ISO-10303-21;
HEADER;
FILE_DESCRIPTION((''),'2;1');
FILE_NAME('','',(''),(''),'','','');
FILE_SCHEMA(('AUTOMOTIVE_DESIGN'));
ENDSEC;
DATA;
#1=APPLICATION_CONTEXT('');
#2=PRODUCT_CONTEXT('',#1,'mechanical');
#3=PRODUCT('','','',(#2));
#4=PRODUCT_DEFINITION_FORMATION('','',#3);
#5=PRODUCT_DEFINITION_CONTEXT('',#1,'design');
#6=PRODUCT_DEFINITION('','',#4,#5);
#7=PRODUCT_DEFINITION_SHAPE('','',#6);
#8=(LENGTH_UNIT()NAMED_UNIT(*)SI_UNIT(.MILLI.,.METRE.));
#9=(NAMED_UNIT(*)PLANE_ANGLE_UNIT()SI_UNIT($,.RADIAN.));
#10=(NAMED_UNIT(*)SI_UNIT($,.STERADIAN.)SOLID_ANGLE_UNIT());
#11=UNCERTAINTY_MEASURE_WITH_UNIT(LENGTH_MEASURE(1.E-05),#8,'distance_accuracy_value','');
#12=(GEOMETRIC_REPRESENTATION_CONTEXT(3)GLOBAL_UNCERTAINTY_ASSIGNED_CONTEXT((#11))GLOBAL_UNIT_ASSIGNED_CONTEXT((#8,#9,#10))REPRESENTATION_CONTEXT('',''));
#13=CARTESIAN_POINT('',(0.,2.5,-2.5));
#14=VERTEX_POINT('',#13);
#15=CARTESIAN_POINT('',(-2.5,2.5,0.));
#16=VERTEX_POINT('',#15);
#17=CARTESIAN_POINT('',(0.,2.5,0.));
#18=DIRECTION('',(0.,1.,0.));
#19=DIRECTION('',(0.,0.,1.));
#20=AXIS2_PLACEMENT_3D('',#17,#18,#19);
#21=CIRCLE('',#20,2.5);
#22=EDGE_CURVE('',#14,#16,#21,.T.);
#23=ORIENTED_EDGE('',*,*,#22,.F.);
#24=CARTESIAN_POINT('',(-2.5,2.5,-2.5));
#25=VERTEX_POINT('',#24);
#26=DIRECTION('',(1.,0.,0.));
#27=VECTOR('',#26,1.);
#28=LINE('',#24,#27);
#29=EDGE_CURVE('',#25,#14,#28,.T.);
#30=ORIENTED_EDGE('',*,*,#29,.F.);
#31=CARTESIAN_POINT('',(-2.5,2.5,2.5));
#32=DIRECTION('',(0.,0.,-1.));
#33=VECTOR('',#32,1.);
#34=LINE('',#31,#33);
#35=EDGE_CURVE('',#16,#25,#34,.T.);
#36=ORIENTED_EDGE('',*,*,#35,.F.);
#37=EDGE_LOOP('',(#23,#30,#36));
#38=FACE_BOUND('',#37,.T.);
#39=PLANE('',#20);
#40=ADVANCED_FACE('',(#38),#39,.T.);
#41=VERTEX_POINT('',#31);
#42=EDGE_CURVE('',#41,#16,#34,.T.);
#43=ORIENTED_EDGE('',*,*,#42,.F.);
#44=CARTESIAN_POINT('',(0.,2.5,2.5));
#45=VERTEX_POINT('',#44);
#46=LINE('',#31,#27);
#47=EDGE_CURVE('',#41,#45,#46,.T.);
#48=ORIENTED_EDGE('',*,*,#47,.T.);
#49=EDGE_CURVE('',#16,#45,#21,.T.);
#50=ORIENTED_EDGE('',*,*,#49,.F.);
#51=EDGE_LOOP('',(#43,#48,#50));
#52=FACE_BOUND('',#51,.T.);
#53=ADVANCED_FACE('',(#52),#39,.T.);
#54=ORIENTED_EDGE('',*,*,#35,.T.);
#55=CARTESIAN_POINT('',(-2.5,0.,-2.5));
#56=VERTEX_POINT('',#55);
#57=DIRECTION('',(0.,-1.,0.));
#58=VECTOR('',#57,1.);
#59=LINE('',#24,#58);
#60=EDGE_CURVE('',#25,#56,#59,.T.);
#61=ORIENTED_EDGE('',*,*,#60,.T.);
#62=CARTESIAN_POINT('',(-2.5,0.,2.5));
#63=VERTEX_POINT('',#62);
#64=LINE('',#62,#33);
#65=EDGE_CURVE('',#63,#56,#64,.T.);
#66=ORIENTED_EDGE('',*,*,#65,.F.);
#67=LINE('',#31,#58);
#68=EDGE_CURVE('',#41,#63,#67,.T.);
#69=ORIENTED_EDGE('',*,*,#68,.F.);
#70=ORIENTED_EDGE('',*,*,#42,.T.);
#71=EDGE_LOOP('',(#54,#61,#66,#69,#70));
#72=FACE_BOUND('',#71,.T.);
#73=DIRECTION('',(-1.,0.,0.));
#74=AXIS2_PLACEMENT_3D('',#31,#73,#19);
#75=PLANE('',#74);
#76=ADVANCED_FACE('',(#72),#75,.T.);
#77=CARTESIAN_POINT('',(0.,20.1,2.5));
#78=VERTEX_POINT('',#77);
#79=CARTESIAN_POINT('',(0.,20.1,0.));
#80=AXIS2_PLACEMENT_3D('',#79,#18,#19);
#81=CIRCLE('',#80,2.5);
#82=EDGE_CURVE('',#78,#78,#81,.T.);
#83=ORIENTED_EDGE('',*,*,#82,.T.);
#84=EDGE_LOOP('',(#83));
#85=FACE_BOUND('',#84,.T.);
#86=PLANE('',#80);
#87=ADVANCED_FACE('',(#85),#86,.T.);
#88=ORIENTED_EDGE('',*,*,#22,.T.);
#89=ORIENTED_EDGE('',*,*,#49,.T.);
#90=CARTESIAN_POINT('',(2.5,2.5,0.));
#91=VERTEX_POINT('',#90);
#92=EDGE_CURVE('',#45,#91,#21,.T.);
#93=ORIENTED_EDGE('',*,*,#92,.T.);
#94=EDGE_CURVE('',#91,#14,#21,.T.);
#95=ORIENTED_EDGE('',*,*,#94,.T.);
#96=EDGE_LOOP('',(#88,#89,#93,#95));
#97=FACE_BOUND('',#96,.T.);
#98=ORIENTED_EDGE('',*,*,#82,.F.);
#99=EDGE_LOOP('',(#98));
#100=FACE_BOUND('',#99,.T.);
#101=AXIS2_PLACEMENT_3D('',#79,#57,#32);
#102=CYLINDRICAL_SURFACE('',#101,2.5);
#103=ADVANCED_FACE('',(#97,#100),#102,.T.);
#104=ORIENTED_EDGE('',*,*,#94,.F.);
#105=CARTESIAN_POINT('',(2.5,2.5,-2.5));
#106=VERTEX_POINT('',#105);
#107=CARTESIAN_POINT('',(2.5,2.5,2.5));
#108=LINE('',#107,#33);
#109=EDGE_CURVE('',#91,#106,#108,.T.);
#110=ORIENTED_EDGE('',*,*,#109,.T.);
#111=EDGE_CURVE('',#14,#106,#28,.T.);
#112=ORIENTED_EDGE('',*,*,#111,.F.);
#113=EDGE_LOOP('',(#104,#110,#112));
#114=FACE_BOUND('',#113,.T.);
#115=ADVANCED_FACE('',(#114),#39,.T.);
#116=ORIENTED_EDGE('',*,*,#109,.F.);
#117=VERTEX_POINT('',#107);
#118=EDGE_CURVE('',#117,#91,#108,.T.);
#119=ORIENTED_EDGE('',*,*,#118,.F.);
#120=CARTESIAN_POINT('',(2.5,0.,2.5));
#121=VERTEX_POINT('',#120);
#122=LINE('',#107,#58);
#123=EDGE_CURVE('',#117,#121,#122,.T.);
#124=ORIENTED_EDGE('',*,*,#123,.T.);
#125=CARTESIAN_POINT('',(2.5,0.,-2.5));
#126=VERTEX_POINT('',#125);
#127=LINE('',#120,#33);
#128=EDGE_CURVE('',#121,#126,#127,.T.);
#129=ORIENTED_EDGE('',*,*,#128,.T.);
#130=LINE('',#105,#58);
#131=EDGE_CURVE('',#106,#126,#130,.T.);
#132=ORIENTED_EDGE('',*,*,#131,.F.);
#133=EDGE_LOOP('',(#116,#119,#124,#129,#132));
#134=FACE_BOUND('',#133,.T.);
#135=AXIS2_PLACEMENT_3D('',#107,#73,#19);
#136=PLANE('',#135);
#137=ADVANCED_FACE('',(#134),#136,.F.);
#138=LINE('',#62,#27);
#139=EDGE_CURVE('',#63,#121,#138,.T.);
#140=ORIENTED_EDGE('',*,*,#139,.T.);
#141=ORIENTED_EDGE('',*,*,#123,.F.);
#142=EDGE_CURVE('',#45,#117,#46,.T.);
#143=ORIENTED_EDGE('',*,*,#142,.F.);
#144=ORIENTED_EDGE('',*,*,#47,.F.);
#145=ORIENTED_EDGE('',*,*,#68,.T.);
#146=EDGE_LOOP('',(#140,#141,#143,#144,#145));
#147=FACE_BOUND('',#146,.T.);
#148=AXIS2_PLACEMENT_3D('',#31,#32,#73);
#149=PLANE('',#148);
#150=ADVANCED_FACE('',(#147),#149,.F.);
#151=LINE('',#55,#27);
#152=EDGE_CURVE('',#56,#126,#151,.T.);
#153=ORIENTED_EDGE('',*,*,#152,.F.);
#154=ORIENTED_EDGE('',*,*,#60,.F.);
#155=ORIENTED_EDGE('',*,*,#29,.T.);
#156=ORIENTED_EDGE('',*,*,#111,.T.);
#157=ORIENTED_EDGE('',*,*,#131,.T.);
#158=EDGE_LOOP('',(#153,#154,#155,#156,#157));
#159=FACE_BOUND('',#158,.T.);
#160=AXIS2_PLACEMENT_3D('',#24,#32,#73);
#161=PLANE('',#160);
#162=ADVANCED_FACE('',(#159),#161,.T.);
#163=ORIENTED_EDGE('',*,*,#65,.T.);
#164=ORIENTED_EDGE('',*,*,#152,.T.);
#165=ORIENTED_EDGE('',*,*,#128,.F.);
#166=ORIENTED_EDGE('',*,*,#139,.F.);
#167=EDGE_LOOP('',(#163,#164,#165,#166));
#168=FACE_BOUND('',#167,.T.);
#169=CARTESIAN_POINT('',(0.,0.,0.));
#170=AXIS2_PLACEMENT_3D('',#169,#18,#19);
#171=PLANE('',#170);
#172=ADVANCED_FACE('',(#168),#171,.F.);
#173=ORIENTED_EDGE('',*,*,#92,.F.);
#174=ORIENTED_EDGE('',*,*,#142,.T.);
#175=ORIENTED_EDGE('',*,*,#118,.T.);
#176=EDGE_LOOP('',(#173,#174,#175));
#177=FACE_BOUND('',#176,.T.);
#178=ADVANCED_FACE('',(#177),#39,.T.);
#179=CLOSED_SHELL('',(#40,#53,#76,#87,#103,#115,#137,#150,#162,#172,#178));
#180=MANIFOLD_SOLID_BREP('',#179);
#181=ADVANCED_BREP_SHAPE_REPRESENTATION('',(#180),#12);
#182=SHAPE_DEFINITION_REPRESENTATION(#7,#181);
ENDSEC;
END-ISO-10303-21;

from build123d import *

# Parameters (mm, degrees)
SKETCH1_W           = 5
SKETCH1_H           = 5
BOSS_EXTRUDE1_DEPTH = 2.5
SKETCH2_R           = 2.5
BOSS_EXTRUDE2_DEPTH = 17.6


with BuildPart() as part:
    # Sketch1 → Boss-Extrude1 (new body)
    with BuildSketch(Plane(origin=(0, 0, 0), x_dir=(1, 0, 0), z_dir=(0, 1, 0))):
        Rectangle(SKETCH1_W, SKETCH1_H)
    extrude(amount=BOSS_EXTRUDE1_DEPTH)

    # Sketch2 → Boss-Extrude2 (add)
    with BuildSketch(Plane(origin=(0, 2.5, 0), x_dir=(1, 0, 0), z_dir=(0, 1, 0))):
        with Locations(Location((0, 0, 0), (0, 0, 270))):
            Circle(SKETCH2_R)
    extrude(amount=BOSS_EXTRUDE2_DEPTH)


solid = part.part
